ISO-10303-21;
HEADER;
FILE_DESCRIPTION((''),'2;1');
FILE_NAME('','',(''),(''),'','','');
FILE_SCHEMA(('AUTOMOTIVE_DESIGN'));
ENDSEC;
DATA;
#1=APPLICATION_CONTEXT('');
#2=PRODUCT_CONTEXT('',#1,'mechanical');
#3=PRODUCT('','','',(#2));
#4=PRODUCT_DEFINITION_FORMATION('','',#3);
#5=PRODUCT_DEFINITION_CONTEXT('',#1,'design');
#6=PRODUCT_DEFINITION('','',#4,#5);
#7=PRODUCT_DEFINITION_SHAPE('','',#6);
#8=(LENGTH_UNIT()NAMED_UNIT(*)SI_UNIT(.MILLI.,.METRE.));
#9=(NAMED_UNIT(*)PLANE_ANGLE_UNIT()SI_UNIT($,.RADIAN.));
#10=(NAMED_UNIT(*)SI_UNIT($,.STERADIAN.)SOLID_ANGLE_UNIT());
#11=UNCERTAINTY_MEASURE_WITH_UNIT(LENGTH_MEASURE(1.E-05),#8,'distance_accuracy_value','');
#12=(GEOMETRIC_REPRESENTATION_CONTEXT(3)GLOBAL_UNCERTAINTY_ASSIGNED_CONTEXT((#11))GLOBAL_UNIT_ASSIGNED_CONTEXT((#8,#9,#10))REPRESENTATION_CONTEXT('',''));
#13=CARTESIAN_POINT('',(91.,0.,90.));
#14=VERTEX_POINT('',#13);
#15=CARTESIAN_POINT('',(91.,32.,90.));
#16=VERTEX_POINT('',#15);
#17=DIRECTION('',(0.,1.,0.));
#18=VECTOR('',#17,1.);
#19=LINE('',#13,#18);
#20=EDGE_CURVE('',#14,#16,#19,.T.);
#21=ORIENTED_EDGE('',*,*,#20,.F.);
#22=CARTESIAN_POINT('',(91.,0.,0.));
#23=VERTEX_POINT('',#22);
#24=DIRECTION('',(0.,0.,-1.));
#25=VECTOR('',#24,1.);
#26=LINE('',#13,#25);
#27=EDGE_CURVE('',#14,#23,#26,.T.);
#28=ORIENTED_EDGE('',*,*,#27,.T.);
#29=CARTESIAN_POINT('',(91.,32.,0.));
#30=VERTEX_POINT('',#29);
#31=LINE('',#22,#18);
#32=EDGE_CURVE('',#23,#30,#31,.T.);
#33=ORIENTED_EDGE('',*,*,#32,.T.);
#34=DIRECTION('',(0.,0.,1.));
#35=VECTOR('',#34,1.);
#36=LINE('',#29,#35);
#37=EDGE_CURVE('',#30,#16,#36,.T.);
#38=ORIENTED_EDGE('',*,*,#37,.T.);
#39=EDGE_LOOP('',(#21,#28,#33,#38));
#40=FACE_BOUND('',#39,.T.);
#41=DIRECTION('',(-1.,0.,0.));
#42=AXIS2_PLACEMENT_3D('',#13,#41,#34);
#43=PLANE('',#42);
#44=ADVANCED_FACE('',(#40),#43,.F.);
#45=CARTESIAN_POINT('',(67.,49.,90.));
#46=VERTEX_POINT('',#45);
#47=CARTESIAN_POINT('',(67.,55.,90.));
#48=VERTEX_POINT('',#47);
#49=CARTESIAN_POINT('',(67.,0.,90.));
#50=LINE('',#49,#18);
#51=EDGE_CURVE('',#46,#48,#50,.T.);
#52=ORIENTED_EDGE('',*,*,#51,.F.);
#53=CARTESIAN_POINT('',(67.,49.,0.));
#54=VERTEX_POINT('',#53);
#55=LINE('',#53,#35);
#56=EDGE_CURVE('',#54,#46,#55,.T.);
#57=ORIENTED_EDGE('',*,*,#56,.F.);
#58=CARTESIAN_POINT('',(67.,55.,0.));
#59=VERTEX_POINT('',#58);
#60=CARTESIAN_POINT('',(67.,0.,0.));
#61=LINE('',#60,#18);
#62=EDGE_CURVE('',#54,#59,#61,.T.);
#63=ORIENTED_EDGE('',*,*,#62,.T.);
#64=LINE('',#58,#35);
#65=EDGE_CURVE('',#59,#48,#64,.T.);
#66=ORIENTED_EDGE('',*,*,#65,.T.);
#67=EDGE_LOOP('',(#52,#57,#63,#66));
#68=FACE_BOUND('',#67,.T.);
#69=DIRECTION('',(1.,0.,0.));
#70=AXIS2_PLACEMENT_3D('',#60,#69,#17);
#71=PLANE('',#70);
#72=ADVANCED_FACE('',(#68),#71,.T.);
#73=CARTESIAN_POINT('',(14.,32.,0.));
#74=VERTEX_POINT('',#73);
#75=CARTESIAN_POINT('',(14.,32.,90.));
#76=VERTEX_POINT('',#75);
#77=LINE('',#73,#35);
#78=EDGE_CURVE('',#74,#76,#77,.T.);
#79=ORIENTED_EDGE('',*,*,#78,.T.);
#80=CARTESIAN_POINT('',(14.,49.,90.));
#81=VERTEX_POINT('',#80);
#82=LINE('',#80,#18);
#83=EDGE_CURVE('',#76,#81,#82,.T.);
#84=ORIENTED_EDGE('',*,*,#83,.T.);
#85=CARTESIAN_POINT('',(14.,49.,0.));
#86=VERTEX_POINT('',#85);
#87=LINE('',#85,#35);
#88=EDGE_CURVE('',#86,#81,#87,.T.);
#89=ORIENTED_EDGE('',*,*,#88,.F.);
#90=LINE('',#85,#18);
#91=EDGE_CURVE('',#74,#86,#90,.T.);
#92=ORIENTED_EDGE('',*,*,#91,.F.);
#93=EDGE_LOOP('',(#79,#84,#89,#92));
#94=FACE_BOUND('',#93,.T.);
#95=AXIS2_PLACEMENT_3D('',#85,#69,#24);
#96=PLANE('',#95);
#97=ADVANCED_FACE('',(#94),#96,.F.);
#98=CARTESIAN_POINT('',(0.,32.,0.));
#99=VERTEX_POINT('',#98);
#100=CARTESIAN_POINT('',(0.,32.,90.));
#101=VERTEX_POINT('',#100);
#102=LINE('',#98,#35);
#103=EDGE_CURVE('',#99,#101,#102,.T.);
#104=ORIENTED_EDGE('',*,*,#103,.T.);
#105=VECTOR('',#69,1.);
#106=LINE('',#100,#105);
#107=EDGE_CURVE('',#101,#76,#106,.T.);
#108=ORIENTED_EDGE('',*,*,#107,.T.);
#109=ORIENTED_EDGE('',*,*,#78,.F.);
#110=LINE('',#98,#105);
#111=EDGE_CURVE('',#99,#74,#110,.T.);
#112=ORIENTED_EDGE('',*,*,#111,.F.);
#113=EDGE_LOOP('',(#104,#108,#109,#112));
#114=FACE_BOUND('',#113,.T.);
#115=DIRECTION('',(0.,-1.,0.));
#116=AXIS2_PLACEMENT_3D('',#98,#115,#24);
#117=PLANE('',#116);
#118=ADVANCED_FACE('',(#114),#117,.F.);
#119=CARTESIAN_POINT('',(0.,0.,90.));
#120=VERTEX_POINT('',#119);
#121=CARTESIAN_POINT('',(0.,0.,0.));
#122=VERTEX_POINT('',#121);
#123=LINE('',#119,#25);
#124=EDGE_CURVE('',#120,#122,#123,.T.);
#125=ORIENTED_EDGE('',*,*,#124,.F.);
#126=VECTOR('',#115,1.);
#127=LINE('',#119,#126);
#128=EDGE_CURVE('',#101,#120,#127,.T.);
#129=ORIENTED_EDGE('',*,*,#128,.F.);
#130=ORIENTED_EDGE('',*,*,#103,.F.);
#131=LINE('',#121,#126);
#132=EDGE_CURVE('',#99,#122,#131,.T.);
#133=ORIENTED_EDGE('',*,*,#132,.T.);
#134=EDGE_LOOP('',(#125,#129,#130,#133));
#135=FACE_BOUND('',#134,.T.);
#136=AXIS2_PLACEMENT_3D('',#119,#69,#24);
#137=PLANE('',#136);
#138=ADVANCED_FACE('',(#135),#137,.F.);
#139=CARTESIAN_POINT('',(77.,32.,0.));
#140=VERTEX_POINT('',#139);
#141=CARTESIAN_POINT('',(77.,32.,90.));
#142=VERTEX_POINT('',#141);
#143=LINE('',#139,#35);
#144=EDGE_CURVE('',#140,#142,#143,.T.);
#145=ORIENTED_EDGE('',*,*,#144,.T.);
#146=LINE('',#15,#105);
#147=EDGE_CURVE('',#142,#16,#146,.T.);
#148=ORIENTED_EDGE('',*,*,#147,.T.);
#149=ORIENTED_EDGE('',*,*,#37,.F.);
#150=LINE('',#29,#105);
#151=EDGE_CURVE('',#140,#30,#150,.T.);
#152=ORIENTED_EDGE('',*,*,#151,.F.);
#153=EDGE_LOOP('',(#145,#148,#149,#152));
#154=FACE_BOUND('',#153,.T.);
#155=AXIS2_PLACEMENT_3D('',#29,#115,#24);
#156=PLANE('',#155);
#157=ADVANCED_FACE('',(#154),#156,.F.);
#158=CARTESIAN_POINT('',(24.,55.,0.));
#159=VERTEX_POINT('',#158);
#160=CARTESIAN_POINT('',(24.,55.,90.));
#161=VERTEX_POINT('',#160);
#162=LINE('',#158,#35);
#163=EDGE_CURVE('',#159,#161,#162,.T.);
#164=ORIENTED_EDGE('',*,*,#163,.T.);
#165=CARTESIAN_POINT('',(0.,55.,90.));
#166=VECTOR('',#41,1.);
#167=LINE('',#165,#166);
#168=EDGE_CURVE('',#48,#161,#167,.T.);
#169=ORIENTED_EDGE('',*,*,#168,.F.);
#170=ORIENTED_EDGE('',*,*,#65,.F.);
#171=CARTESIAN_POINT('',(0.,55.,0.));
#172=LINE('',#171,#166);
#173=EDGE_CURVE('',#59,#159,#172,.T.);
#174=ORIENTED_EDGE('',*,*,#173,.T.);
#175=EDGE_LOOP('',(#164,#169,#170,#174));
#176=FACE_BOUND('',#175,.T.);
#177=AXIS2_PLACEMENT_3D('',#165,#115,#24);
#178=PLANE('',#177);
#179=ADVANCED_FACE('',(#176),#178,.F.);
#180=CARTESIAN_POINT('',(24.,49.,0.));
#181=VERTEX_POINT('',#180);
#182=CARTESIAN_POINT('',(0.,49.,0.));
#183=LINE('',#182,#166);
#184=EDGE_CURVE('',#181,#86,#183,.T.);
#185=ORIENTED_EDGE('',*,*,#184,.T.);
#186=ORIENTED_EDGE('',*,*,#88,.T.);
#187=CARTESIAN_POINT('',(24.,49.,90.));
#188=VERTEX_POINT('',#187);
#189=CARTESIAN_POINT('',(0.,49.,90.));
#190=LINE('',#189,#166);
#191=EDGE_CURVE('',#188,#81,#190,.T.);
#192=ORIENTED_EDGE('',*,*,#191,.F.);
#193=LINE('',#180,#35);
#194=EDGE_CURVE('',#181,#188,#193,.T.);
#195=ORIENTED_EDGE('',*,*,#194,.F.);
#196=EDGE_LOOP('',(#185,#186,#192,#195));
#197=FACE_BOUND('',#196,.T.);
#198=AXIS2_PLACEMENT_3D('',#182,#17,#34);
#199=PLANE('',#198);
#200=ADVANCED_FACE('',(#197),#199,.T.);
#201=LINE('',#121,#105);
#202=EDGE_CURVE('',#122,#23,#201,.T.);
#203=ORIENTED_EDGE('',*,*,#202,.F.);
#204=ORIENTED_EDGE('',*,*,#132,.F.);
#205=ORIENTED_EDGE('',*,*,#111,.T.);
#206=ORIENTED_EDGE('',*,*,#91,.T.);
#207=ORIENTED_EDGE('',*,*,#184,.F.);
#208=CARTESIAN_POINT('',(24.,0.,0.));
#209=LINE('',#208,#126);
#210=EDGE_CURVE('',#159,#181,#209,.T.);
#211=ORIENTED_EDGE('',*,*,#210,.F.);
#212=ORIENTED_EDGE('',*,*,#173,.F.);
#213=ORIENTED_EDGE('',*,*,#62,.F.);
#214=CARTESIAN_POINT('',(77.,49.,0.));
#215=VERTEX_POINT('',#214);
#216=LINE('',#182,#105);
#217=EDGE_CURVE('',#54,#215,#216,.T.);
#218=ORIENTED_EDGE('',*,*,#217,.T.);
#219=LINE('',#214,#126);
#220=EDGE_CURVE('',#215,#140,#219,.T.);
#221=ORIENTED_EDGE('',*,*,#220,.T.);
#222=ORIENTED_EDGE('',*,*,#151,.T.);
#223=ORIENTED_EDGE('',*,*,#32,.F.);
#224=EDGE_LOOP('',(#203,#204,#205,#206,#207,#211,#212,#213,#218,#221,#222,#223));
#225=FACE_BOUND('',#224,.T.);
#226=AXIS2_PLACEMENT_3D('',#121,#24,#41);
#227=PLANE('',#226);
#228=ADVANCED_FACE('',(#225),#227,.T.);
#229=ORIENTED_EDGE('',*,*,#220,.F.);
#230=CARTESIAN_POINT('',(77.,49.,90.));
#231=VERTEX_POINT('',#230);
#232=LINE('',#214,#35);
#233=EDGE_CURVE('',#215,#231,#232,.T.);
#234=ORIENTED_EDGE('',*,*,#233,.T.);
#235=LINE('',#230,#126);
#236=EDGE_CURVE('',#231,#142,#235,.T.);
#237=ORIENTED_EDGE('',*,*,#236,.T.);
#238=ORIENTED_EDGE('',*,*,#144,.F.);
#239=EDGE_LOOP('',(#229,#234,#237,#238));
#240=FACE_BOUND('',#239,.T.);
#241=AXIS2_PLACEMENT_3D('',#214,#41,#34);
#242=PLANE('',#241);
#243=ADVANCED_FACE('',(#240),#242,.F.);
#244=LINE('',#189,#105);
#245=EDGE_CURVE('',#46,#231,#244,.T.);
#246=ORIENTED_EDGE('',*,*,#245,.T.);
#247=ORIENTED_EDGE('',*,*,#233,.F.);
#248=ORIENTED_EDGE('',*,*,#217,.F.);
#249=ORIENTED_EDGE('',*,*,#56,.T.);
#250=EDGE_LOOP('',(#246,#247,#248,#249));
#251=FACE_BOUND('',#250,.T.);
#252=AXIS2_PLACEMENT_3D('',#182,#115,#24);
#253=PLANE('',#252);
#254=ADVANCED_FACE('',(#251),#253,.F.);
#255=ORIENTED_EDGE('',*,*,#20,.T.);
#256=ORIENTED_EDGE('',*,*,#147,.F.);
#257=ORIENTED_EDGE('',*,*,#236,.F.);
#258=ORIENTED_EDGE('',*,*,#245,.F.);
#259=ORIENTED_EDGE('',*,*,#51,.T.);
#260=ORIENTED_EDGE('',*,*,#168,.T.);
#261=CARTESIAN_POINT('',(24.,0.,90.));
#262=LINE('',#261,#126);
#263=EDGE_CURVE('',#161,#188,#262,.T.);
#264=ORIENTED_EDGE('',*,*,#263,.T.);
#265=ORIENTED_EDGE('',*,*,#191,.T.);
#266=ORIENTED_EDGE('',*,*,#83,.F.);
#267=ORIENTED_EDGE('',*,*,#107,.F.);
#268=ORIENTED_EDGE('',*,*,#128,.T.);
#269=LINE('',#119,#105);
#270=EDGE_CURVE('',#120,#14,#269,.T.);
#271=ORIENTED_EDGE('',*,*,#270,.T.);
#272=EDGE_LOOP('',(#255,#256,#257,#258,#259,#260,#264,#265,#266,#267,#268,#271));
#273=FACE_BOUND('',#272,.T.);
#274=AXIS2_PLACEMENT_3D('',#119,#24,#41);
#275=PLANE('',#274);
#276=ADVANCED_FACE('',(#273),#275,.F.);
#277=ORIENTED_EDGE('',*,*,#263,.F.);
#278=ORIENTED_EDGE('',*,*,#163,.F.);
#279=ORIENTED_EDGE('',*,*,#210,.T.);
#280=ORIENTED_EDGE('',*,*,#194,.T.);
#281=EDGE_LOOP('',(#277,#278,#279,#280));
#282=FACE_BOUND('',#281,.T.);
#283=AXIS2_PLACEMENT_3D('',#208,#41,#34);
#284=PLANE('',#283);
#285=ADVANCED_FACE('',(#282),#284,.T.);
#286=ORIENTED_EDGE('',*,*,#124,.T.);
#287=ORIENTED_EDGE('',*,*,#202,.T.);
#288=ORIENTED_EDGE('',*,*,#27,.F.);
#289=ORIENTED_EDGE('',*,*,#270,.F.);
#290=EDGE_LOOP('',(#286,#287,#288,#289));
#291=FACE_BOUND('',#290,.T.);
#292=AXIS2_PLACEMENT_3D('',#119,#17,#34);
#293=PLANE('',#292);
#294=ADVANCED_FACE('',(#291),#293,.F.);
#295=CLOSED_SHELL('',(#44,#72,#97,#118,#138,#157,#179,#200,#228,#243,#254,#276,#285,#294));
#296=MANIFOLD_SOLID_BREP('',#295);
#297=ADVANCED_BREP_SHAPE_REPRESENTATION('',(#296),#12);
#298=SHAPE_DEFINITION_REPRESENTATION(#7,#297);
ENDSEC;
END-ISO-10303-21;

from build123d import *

# Parameters (mm, degrees)
SKETCH1_W           = 91
SKETCH1_H           = 55
BOSS_EXTRUDE1_DEPTH = 90
SKETCH2_W           = 24
SKETCH2_H           = 6
CUT_EXTRUDE1_DEPTH  = 91
SKETCH3_W           = 14
SKETCH3_H           = 17
CUT_EXTRUDE2_DEPTH  = 91


with BuildPart() as part:
    # Sketch1 → Boss-Extrude1 (new body)
    with BuildSketch(Plane.XY):
        with Locations((45.5, 27.5)):
            Rectangle(SKETCH1_W, SKETCH1_H)
    extrude(amount=BOSS_EXTRUDE1_DEPTH)

    # Sketch2 → Cut-Extrude1 (cut, through all)
    with BuildSketch(Plane.XY.offset(90)):
        with Locations((79, 52)):
            Rectangle(SKETCH2_W, SKETCH2_H)
        with Locations((12, 52)):
            Rectangle(SKETCH2_W, SKETCH2_H)
    extrude(amount=-CUT_EXTRUDE1_DEPTH, mode=Mode.SUBTRACT)

    # Sketch3 → Cut-Extrude2 (cut, through all)
    with BuildSketch(Plane.XY.offset(90)):
        with Locations((84, 40.5)):
            Rectangle(SKETCH3_W, SKETCH3_H)
        with Locations((7, 40.5)):
            Rectangle(SKETCH3_W, SKETCH3_H)
    extrude(amount=-CUT_EXTRUDE2_DEPTH, mode=Mode.SUBTRACT)


solid = part.part
